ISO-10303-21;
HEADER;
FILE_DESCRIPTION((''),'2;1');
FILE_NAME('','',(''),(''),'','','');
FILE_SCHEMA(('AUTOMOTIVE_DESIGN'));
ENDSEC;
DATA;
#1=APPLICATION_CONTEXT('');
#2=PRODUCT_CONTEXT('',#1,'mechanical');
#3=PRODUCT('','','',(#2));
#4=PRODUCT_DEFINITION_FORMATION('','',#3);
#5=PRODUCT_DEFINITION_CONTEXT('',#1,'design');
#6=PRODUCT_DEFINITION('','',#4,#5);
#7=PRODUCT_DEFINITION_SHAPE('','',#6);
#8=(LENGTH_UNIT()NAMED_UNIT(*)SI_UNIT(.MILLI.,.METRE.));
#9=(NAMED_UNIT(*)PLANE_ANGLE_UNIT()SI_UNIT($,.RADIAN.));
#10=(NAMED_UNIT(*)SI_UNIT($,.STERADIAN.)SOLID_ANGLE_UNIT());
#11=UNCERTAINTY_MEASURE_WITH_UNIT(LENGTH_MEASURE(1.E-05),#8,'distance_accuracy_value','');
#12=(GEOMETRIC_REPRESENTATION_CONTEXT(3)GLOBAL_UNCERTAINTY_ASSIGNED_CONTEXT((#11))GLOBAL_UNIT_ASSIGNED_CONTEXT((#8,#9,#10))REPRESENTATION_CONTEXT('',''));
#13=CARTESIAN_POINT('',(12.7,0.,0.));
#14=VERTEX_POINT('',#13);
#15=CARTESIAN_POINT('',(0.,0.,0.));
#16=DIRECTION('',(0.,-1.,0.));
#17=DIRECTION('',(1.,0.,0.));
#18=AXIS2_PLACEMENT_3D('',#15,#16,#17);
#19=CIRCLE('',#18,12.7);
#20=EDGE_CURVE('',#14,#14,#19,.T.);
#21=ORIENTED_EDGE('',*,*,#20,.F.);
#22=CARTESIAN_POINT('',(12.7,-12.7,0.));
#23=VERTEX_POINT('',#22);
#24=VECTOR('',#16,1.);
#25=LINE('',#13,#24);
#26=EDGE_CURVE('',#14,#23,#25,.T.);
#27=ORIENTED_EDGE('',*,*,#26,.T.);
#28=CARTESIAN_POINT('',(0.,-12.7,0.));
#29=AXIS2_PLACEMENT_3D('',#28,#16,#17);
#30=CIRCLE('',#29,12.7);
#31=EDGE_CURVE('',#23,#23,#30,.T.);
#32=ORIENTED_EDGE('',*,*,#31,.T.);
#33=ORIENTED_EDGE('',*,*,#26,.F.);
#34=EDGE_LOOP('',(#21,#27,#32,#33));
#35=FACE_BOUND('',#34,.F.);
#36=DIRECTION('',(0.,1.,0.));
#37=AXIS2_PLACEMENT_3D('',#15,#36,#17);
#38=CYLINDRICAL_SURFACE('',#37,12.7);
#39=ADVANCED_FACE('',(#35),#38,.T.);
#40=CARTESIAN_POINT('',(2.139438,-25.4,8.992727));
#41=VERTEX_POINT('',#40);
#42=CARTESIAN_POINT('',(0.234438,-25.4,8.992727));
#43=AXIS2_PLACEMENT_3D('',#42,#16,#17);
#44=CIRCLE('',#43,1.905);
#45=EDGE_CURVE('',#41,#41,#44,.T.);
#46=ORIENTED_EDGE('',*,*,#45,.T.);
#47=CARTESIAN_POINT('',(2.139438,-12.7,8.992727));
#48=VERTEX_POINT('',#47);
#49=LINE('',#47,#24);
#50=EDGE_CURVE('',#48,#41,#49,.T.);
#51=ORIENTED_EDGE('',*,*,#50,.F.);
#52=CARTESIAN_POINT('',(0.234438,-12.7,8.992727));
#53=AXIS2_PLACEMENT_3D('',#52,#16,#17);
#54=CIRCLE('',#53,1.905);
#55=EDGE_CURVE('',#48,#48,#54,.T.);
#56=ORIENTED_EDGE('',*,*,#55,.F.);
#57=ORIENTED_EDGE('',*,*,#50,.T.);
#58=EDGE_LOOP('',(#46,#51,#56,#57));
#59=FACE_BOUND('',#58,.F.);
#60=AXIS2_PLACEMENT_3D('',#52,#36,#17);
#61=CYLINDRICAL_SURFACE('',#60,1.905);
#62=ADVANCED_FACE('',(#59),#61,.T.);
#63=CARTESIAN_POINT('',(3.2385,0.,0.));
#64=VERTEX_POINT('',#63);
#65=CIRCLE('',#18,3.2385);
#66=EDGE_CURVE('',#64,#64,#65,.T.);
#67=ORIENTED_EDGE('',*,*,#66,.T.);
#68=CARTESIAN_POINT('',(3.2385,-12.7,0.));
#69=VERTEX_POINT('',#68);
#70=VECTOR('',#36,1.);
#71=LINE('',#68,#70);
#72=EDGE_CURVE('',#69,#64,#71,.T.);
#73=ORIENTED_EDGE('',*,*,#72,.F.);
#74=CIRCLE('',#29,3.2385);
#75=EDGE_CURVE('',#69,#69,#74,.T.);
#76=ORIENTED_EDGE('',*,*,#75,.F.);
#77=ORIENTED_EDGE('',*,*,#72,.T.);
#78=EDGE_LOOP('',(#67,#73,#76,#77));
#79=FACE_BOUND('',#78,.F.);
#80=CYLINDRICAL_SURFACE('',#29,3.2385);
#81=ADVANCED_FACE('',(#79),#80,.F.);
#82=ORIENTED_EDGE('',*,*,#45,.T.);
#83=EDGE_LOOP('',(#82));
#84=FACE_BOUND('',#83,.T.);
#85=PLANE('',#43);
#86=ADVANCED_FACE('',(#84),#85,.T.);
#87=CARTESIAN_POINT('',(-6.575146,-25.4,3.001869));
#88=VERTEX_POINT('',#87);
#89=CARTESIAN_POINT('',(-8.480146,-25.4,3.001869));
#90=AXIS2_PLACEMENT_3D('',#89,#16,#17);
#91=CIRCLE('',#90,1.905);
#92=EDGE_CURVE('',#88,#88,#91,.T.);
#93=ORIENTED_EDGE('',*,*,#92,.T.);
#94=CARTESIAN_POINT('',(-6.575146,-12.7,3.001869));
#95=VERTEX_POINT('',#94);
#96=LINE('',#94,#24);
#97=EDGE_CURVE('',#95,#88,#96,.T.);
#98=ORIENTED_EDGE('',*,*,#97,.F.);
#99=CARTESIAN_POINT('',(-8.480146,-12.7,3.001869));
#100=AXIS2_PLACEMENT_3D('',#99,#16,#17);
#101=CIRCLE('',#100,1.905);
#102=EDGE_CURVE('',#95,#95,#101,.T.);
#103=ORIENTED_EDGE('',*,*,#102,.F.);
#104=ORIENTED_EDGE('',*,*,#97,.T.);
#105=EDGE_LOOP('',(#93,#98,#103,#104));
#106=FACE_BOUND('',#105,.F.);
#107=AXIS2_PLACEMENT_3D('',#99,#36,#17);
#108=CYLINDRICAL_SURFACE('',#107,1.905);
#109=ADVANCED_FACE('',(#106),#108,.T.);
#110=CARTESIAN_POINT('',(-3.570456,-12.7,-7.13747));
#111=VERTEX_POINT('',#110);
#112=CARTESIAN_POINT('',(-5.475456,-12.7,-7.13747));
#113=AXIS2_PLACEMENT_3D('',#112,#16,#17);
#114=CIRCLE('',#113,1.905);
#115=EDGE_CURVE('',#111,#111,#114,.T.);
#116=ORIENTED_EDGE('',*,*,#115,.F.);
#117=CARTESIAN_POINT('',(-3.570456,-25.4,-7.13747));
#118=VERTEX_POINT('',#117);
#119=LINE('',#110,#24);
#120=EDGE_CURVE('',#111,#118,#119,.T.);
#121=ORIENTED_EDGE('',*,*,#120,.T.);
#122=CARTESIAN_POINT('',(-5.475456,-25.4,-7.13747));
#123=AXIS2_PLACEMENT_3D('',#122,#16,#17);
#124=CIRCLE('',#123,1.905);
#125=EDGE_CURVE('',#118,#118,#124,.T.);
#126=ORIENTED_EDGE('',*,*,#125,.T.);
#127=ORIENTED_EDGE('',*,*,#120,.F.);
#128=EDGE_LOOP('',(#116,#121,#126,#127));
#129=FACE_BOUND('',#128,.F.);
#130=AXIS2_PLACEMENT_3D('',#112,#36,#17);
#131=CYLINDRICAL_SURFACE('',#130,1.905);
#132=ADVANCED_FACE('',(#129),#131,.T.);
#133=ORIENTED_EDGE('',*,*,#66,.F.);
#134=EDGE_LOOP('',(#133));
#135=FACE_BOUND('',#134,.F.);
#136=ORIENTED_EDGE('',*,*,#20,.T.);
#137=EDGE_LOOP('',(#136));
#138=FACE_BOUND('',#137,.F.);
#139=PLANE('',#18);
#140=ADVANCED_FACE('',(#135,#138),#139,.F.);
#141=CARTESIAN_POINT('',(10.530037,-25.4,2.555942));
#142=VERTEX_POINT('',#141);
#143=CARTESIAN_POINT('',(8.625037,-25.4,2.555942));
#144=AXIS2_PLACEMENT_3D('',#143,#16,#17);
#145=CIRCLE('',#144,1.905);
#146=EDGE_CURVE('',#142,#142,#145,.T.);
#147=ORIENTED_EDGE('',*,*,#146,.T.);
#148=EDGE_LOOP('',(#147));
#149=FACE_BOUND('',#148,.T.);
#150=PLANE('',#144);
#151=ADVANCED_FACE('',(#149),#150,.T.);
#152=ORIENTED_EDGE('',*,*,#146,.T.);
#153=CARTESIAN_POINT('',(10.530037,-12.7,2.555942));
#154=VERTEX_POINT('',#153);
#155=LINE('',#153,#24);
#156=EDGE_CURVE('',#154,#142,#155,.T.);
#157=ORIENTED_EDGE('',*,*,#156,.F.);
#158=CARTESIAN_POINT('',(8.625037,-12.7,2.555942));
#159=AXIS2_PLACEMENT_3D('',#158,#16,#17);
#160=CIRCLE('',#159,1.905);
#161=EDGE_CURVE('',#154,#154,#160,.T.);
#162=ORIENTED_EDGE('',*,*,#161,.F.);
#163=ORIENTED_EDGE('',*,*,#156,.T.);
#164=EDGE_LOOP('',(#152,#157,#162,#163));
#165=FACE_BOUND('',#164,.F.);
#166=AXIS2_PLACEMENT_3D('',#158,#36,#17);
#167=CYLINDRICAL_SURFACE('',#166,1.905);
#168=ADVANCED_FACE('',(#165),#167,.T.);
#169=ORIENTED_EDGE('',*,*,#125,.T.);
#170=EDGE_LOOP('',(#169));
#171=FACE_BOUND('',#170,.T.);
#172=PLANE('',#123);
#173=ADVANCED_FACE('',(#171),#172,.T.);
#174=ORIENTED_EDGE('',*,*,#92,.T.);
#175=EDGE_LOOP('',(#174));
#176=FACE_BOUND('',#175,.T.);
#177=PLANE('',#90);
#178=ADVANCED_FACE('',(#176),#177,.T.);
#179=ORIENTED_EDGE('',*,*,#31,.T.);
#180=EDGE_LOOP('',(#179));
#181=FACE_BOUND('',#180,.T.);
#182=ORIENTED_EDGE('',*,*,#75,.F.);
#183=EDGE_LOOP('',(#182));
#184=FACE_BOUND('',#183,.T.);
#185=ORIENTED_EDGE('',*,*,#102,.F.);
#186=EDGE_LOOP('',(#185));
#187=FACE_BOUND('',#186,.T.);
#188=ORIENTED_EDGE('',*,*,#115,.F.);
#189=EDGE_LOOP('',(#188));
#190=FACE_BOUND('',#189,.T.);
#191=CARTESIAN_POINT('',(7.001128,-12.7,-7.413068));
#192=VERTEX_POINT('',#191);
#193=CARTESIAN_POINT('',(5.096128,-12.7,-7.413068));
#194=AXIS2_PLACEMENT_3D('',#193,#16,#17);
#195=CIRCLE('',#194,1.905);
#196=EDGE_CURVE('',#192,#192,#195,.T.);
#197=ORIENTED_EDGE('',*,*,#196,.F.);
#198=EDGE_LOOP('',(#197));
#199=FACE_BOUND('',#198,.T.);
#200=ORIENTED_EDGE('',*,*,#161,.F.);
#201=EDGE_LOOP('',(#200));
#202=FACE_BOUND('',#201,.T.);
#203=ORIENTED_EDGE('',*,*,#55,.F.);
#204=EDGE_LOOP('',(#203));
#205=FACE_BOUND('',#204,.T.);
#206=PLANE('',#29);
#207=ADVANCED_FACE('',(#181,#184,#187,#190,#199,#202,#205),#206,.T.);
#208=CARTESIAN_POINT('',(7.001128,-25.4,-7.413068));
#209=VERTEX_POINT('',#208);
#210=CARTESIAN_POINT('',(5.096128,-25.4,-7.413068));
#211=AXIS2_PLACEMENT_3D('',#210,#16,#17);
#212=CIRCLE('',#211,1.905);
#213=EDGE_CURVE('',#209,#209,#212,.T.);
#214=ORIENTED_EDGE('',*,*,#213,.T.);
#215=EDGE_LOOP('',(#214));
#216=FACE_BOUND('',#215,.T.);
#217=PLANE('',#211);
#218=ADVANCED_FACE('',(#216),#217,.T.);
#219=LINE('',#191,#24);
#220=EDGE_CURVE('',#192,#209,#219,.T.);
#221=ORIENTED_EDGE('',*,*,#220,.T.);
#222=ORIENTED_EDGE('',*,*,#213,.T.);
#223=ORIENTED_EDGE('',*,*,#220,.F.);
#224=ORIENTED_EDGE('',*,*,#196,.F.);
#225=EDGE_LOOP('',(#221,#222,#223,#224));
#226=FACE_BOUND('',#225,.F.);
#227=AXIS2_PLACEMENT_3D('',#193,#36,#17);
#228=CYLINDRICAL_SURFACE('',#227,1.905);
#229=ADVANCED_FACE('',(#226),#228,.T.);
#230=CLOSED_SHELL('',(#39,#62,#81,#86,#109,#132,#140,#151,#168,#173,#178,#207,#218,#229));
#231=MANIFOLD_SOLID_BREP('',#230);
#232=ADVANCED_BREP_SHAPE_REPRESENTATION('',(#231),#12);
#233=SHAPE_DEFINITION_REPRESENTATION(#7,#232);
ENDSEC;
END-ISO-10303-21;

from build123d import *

# Parameters (mm, degrees)
F0_R     = 12.7
F1_DEPTH = 12.7
F2_R     = 3.2385
F3_DEPTH = 12.7
F4_R     = 1.905
F5_DEPTH = 12.7


with BuildPart() as f1:
    # F0 (on Front) → F1 (new body)
    with BuildSketch(Plane.XZ):
        Circle(F0_R)
    extrude(amount=F1_DEPTH)

    # F2 (on face) → F3 (cut)
    with BuildSketch(Plane.XZ.offset(12.7)):
        Circle(F2_R)
    extrude(amount=-F3_DEPTH, mode=Mode.SUBTRACT)

    # F4 (on face) → F5 (join)
    with BuildSketch(Plane.XZ.offset(12.7)):
        with Locations((-8.480146, 3.001869)):
            Circle(F4_R)
        with Locations((-5.475456, -7.13747)):
            Circle(F4_R)
        with Locations((5.096128, -7.413068)):
            Circle(F4_R)
        with Locations((8.625037, 2.555942)):
            Circle(F4_R)
        with Locations((0.234438, 8.992727)):
            Circle(F4_R)
    extrude(amount=F5_DEPTH)


solid = f1.part
